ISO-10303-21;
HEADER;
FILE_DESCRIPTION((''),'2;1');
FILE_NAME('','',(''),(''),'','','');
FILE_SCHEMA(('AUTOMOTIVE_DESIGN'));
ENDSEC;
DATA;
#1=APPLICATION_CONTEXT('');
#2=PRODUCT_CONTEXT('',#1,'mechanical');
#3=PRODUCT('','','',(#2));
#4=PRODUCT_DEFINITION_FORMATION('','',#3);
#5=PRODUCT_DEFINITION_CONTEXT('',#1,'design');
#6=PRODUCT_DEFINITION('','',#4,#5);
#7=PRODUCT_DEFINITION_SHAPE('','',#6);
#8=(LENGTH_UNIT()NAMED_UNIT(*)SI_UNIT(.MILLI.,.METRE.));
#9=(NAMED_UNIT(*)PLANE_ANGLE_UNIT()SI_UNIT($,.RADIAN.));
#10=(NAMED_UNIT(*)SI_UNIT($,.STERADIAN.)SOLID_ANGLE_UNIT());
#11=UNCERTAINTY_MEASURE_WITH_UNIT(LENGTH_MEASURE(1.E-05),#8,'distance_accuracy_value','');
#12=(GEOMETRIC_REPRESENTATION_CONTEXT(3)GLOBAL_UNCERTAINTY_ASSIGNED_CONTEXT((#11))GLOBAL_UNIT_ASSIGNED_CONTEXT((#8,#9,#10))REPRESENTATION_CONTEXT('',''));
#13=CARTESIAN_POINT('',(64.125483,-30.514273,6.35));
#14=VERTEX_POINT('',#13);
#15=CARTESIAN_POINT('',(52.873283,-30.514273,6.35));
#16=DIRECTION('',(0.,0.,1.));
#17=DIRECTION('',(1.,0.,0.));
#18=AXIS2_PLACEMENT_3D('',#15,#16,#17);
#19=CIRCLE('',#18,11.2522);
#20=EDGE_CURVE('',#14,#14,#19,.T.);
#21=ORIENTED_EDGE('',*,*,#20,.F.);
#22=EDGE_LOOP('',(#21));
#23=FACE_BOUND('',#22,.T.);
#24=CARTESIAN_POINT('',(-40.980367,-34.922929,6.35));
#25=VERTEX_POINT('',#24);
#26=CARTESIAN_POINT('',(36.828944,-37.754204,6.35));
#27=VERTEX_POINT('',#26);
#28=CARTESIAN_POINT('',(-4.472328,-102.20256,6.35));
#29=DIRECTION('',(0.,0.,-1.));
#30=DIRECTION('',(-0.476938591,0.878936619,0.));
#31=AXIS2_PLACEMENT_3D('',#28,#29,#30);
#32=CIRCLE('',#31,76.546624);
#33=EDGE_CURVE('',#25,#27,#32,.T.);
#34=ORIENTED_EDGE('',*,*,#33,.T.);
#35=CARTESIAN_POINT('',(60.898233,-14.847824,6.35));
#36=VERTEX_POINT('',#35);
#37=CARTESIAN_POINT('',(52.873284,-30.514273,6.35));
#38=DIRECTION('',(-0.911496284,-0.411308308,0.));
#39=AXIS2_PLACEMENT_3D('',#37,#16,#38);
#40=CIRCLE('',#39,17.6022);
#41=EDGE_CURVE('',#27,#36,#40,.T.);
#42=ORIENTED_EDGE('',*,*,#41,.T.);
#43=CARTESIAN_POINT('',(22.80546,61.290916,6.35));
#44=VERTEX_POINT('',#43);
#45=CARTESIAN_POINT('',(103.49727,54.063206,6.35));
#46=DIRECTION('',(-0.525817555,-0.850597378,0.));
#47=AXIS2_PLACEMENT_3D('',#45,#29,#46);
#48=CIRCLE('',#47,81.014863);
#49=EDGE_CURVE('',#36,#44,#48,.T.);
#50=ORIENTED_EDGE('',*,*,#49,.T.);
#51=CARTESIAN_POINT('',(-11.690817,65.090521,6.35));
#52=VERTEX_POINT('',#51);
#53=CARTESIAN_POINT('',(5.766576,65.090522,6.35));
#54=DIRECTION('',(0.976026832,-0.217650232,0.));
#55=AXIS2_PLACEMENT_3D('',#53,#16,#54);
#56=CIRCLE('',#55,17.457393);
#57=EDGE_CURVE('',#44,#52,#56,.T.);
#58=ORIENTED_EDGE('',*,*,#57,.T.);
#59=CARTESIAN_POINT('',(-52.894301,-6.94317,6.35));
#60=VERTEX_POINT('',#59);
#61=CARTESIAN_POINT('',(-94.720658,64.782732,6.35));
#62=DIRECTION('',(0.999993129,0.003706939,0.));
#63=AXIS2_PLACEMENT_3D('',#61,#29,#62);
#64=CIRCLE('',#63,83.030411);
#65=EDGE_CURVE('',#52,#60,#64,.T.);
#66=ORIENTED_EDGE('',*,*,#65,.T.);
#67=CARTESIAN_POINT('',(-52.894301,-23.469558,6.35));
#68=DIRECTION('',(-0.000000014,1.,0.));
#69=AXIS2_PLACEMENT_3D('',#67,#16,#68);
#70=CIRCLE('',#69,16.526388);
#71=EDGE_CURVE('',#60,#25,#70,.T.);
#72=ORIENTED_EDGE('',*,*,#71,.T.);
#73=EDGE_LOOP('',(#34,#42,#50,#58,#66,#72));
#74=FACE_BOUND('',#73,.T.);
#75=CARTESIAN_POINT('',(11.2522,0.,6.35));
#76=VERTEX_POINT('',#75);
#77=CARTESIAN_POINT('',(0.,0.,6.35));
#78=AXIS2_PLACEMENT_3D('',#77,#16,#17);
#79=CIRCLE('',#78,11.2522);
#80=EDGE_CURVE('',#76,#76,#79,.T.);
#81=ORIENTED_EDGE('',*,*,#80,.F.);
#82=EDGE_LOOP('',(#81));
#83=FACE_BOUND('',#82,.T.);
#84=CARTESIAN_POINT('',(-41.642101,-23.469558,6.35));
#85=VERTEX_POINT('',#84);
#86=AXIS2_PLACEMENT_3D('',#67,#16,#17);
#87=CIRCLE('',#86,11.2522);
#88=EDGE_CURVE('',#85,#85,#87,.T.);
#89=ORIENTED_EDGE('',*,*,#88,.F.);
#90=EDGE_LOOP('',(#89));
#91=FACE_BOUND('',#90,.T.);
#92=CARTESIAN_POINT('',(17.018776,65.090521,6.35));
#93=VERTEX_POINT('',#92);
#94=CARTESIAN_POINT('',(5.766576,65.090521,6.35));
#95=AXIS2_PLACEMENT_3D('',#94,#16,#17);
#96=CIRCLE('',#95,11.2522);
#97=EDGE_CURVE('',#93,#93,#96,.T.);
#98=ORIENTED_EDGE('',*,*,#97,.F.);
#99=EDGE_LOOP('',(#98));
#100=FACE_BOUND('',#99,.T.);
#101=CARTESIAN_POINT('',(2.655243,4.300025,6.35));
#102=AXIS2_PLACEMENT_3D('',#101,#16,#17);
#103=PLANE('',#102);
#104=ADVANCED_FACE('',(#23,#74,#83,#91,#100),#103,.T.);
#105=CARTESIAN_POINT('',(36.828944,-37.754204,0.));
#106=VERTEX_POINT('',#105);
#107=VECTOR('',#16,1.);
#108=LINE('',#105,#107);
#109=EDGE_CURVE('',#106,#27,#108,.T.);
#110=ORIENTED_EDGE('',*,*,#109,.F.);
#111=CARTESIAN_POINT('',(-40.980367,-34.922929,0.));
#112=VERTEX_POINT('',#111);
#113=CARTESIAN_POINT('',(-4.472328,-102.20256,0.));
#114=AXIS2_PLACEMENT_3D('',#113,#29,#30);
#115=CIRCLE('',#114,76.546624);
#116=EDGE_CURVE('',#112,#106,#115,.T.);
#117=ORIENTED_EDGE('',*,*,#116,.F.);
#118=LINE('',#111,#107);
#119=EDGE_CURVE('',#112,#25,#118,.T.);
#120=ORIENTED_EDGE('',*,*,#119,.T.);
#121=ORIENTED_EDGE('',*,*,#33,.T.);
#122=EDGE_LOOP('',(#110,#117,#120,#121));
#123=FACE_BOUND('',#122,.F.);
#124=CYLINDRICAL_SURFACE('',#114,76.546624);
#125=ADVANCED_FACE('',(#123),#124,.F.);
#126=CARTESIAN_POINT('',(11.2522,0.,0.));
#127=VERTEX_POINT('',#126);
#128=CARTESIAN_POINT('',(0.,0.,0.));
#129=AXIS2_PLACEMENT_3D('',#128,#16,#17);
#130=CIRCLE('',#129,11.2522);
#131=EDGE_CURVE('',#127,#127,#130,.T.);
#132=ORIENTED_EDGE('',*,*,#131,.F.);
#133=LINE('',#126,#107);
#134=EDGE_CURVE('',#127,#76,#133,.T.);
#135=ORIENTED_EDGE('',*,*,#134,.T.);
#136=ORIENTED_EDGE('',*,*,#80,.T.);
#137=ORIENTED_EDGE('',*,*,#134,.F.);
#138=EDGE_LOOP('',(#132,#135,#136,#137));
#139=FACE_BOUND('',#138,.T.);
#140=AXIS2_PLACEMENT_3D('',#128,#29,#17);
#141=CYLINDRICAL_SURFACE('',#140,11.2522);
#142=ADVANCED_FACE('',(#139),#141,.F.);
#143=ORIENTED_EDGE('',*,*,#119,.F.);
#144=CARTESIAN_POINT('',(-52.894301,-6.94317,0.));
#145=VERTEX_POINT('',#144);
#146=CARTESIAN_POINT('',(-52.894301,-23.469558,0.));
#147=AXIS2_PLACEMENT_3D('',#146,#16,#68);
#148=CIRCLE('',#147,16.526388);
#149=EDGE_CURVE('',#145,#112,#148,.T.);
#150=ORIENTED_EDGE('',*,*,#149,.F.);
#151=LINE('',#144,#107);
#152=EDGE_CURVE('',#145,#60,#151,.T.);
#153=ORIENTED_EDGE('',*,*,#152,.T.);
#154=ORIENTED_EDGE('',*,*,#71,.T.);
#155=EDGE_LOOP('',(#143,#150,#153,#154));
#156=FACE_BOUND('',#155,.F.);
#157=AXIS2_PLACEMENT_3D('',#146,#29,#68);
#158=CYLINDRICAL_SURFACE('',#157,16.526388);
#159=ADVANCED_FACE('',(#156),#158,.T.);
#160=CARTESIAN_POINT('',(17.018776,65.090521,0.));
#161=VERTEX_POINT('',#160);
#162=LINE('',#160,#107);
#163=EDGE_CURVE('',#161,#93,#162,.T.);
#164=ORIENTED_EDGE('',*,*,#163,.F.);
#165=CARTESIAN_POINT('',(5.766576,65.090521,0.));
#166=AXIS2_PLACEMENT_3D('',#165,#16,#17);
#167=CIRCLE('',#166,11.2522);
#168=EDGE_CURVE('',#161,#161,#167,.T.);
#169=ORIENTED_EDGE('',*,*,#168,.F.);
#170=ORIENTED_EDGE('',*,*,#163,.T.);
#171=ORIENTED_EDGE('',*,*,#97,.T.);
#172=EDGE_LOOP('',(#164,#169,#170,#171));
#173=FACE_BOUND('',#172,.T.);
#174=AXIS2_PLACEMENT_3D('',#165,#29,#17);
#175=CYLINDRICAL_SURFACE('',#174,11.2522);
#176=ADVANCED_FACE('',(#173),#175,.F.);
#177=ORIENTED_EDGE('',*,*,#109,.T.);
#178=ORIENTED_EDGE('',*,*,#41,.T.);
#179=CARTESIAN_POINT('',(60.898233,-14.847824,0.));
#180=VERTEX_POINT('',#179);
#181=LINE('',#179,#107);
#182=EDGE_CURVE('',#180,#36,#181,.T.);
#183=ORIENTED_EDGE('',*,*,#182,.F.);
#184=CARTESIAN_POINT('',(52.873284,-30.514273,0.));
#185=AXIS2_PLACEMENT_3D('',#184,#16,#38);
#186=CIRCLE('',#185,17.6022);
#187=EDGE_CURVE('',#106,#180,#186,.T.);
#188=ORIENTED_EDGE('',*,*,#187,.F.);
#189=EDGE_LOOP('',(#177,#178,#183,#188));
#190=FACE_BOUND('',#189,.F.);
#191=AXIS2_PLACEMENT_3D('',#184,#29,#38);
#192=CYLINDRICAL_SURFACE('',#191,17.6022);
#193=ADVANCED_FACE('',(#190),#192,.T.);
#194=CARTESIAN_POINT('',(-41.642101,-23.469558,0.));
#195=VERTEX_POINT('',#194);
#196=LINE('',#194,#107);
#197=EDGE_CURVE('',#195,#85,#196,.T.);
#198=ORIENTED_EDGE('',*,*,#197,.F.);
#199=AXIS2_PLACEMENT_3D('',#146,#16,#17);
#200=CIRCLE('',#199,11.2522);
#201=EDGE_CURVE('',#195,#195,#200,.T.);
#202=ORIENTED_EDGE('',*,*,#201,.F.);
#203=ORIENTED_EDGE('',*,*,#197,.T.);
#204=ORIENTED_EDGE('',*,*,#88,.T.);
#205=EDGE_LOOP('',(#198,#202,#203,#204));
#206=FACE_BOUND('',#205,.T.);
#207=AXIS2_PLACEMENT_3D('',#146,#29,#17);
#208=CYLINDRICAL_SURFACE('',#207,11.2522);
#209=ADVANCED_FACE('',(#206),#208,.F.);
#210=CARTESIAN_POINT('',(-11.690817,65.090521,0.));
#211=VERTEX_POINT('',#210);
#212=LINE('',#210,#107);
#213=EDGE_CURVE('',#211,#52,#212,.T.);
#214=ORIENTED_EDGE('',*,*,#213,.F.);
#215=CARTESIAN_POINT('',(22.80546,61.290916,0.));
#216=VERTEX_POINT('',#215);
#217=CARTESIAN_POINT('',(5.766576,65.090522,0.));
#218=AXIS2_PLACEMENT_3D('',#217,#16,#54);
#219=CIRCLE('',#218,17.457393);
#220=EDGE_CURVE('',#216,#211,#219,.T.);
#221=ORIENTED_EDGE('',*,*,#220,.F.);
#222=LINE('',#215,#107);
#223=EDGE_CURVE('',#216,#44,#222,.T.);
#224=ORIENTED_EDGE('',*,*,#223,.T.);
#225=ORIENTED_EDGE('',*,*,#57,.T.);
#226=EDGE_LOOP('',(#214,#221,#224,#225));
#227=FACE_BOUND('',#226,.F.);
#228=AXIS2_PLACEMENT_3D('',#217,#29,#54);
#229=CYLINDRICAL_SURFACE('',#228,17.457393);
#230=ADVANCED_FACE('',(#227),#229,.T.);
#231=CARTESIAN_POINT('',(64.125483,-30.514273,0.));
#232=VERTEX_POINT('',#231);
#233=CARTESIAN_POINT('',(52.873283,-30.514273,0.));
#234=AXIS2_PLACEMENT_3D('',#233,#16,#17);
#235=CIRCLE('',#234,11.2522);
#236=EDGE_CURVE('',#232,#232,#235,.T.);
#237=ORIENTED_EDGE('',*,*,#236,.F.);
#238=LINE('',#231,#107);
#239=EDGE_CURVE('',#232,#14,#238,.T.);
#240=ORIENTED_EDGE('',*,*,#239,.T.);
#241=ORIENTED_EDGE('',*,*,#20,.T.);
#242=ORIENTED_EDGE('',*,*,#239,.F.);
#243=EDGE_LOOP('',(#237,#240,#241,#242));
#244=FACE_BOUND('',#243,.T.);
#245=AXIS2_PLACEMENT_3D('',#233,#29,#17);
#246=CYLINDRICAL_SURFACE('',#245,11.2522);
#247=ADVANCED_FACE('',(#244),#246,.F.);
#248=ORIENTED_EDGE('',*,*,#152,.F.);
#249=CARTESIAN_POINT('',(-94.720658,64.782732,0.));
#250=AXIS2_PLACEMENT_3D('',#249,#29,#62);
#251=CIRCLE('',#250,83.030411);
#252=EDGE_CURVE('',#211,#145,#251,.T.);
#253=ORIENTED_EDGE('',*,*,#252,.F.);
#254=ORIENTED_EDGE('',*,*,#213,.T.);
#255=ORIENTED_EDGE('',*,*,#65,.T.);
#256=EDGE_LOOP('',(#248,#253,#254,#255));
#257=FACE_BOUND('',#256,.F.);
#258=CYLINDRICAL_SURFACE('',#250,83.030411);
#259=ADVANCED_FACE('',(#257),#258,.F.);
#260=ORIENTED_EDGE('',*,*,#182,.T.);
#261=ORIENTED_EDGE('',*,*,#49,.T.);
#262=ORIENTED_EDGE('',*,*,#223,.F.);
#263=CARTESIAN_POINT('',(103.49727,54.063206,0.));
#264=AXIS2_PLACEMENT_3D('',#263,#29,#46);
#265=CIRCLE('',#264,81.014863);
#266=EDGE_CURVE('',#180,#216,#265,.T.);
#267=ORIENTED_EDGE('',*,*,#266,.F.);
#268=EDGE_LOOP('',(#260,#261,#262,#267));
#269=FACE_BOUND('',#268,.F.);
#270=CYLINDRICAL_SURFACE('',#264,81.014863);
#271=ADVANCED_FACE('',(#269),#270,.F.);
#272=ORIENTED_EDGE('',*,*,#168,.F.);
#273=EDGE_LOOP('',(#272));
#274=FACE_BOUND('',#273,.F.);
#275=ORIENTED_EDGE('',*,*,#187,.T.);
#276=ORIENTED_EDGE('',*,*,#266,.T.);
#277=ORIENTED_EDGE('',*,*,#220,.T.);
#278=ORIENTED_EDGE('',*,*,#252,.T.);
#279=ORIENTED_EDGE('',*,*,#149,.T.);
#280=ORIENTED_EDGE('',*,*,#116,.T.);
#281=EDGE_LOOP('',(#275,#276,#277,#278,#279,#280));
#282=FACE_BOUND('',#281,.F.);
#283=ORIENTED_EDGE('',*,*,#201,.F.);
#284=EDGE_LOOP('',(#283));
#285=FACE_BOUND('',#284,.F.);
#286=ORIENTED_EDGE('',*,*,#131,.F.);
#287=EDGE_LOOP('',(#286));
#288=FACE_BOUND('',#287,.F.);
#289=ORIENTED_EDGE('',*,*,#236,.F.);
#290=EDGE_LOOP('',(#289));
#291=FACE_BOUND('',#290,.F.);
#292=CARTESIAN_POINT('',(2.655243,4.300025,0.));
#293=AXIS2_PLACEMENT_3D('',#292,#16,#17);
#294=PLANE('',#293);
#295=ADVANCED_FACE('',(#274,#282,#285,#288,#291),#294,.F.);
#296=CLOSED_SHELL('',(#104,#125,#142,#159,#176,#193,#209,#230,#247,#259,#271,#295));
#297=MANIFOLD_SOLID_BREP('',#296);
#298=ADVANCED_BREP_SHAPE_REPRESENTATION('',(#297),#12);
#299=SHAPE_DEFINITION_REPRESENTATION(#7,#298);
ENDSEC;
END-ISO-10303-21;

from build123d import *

# Parameters (mm, degrees)
F0_R     = 11.2522
F2_DEPTH = 6.35
F3_DEPTH = 6.35


with BuildPart() as f2:
    # F0 (on Top) → F2 (new body)
    with BuildSketch(Plane.XY):
        with BuildLine():
            ThreePointArc((-11.690817, 65.090521), (-22.647912, 23.556909), (-52.894301, -6.94317))
            ThreePointArc((-52.894301, -6.94317), (-68.099635, -29.944072), (-40.980367, -34.922929))
            ThreePointArc((-40.980367, -34.922929), (-1.688841, -25.706561), (36.828944, -37.754204))
            ThreePointArc((36.828944, -37.754204), (65.008077, -43.265125), (60.898233, -14.847824))
            ThreePointArc((60.898233, -14.847824), (31.044284, 17.814443), (22.80546, 61.290916))
            ThreePointArc((22.80546, 61.290916), (7.677868, 82.442972), (-11.690817, 65.090521))
        make_face()
        with Locations((-52.894301, -23.469558)):
            Circle(F0_R, mode=Mode.SUBTRACT)
        Circle(F0_R, mode=Mode.SUBTRACT)
        with Locations((52.873283, -30.514273)):
            Circle(F0_R, mode=Mode.SUBTRACT)
        with Locations((5.766576, 65.090521)):
            Circle(F0_R, mode=Mode.SUBTRACT)
    extrude(amount=F2_DEPTH)

    # F0 (on Top) → F3 (join)
    with BuildSketch(Plane.XY):
        with BuildLine():
            ThreePointArc((-11.690817, 65.090521), (-22.647912, 23.556909), (-52.894301, -6.94317))
            ThreePointArc((-52.894301, -6.94317), (-68.099635, -29.944072), (-40.980367, -34.922929))
            ThreePointArc((-40.980367, -34.922929), (-1.688841, -25.706561), (36.828944, -37.754204))
            ThreePointArc((36.828944, -37.754204), (65.008077, -43.265125), (60.898233, -14.847824))
            ThreePointArc((60.898233, -14.847824), (31.044284, 17.814443), (22.80546, 61.290916))
            ThreePointArc((22.80546, 61.290916), (7.677868, 82.442972), (-11.690817, 65.090521))
        make_face()
        with Locations((-52.894301, -23.469558)):
            Circle(F0_R, mode=Mode.SUBTRACT)
        Circle(F0_R, mode=Mode.SUBTRACT)
        with Locations((52.873283, -30.514273)):
            Circle(F0_R, mode=Mode.SUBTRACT)
        with Locations((5.766576, 65.090521)):
            Circle(F0_R, mode=Mode.SUBTRACT)
    extrude(amount=F3_DEPTH)


solid = f2.part
